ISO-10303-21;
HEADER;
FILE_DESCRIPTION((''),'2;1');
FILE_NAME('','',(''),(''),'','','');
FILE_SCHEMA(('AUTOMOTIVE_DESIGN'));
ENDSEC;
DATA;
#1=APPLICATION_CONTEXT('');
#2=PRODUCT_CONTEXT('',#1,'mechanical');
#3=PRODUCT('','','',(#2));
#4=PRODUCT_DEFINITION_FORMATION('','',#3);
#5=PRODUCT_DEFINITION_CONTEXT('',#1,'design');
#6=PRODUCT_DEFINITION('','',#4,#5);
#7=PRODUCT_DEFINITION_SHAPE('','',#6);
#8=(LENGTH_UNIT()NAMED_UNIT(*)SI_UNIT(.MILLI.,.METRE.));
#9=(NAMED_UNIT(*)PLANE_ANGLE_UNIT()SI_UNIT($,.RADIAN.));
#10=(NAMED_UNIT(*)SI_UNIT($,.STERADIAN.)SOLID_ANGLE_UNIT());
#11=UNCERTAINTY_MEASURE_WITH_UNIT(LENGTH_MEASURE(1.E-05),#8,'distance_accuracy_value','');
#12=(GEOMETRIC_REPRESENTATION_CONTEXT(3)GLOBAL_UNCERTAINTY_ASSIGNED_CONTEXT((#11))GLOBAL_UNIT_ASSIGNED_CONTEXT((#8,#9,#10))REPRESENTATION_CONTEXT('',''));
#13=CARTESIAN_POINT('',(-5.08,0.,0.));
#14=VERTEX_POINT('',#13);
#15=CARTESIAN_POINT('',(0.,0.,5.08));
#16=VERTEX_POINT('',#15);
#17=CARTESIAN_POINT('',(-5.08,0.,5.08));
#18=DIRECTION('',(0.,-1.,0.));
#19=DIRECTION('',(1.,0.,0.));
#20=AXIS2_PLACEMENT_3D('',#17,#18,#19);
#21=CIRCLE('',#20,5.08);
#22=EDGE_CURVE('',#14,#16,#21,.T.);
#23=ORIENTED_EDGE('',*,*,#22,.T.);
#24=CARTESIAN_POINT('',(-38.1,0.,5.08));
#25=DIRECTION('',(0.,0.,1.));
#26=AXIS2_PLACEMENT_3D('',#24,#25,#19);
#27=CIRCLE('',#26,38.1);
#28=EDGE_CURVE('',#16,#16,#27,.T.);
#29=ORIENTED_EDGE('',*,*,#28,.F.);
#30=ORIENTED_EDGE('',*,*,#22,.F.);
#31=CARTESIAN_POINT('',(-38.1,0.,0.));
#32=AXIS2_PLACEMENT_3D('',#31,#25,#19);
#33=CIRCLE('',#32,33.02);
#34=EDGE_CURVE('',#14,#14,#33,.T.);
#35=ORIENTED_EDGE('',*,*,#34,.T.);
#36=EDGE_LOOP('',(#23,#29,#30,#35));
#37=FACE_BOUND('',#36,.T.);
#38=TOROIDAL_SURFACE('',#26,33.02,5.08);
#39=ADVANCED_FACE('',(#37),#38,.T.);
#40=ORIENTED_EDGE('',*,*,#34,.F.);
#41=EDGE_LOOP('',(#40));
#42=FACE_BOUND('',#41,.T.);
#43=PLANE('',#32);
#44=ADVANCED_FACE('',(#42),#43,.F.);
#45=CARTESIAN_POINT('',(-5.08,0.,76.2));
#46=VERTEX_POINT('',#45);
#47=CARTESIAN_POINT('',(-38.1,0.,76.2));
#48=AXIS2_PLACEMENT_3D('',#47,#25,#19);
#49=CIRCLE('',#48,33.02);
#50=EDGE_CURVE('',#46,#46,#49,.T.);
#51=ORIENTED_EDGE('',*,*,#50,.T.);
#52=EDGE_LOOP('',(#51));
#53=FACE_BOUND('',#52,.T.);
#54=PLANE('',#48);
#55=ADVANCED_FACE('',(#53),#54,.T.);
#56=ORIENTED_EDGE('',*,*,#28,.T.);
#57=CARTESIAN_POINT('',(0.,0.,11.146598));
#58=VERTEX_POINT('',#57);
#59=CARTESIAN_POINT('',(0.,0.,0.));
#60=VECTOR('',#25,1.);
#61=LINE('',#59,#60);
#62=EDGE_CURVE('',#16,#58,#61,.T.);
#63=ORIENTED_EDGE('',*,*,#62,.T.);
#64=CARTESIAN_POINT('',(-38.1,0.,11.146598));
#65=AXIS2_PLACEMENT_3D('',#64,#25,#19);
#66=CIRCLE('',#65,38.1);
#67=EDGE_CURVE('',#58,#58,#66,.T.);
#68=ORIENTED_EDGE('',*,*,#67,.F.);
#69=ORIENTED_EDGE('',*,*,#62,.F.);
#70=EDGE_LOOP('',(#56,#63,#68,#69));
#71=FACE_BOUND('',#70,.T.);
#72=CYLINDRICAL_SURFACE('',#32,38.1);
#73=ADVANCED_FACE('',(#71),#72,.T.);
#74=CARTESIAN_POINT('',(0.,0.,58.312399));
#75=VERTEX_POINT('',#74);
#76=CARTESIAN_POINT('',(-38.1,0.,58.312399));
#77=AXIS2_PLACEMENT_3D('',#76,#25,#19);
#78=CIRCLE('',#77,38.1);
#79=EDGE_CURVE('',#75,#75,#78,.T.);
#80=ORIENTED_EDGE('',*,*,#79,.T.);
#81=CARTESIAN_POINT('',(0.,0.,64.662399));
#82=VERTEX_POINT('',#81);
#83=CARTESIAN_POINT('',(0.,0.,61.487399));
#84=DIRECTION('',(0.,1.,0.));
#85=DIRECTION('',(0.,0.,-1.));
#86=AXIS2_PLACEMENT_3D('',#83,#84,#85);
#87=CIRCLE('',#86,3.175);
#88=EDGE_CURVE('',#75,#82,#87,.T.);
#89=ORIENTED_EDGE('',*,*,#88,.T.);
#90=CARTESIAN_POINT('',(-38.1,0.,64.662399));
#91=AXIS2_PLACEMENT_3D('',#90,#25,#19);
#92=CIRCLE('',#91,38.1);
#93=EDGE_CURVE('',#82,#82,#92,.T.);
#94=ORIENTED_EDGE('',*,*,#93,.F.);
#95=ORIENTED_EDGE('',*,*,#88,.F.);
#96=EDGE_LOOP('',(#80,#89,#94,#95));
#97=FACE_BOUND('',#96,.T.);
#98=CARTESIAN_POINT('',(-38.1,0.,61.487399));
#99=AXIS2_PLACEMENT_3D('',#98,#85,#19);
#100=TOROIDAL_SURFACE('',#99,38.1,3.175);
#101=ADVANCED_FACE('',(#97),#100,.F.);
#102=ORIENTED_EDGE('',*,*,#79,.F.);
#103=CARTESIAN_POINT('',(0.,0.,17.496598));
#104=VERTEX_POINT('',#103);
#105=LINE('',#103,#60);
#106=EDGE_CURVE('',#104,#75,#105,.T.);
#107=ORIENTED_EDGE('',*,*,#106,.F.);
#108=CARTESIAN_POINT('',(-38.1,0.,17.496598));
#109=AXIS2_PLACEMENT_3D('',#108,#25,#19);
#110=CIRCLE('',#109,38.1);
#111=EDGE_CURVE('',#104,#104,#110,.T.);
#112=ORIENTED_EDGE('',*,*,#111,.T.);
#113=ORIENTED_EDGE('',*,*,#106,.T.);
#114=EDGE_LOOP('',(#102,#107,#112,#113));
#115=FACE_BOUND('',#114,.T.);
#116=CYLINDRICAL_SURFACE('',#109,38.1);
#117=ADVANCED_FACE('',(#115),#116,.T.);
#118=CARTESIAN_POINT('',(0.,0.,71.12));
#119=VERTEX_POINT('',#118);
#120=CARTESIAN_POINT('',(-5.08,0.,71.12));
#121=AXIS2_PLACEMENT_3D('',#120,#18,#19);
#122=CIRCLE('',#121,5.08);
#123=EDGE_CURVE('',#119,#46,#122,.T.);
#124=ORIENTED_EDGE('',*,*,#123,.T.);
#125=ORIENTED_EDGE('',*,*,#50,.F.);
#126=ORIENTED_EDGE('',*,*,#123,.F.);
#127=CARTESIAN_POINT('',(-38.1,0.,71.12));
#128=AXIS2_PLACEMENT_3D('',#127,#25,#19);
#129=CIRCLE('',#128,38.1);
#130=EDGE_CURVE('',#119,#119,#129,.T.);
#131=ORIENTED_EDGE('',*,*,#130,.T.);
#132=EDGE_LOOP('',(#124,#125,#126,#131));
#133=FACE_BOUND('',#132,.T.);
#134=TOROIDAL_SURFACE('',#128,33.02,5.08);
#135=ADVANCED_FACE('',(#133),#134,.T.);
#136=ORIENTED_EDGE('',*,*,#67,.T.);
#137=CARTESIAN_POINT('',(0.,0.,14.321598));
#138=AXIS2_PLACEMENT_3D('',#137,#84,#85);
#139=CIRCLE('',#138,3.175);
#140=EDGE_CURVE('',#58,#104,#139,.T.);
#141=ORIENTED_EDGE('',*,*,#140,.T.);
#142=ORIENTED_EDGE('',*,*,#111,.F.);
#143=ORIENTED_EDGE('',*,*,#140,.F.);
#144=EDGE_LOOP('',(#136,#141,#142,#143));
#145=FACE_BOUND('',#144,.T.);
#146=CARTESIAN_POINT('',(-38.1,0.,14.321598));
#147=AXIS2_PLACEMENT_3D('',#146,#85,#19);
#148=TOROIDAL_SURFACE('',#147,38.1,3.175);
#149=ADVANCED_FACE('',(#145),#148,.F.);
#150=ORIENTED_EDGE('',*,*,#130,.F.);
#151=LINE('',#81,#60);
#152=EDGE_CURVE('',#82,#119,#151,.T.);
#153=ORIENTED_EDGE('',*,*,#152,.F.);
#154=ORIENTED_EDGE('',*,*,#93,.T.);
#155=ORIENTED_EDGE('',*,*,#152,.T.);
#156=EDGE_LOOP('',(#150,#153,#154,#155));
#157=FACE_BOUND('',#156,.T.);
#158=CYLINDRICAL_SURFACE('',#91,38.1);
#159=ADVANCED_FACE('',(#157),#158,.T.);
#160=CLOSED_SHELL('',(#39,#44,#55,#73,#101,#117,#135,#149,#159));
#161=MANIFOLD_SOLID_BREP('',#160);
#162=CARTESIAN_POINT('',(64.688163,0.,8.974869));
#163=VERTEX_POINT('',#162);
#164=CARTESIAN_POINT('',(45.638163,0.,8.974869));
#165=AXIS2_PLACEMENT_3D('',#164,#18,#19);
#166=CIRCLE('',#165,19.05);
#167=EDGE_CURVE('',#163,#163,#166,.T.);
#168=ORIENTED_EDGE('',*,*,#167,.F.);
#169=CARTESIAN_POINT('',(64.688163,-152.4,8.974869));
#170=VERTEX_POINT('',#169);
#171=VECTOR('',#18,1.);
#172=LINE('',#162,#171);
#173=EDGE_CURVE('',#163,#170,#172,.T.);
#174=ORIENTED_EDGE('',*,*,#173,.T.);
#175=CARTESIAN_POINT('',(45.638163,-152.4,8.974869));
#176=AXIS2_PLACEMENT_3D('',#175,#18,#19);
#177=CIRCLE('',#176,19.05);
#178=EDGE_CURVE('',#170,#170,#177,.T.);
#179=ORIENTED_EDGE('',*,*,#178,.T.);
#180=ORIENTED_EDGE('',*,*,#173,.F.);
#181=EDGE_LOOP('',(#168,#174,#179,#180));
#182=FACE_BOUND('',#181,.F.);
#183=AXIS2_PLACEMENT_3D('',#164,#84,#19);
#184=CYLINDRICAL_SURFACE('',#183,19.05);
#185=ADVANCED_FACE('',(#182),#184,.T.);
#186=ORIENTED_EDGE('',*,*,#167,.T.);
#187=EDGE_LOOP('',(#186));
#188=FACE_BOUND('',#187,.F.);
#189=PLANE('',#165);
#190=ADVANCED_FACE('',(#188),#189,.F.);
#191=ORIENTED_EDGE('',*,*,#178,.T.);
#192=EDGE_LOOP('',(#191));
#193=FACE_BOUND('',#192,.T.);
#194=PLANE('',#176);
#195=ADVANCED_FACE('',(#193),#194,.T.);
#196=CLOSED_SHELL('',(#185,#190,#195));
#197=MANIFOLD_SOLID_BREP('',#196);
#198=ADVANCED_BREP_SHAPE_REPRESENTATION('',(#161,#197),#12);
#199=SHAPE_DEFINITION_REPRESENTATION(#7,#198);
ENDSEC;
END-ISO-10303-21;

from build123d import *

# Parameters (mm, degrees)
F2_R     = 5.08
F3_R     = 19.05
F4_DEPTH = 152.4


with BuildPart() as f1:
    # F0 (on Front) → F1 (revolve)
    with BuildSketch(Plane.XZ):
        with BuildLine():
            Line((-38.1, 0), (0, 0))
            Line((0, 0), (0, 11.146598))
            ThreePointArc((0, 11.146598), (-3.175, 14.321598), (0, 17.496598))
            Line((0, 17.496598), (0, 58.312399))
            ThreePointArc((0, 58.312399), (-3.175, 61.487399), (0, 64.662399))
            Line((0, 64.662399), (0, 76.2))
            Line((0, 76.2), (-38.1, 76.2))
            Line((-38.1, 76.2), (-38.1, 0))
        make_face()
    revolve(axis=Axis((-38.1, 0, 38.1), (0, 0, 1)))

    # F2
    f2_edges = [f1.edges().sort_by_distance(p)[0] for p in [
        (-76.2, 0, 76.2),
        (-76.2, 0, 0),
    ]]
    fillet(f2_edges, radius=F2_R)


with BuildPart() as f4:
    # F3 (on Front) → F4 (new body)
    with BuildSketch(Plane.XZ):
        with Locations((45.638163, 8.974869)):
            Circle(F3_R)
    extrude(amount=F4_DEPTH)


solid = Compound([f1.part, f4.part])
